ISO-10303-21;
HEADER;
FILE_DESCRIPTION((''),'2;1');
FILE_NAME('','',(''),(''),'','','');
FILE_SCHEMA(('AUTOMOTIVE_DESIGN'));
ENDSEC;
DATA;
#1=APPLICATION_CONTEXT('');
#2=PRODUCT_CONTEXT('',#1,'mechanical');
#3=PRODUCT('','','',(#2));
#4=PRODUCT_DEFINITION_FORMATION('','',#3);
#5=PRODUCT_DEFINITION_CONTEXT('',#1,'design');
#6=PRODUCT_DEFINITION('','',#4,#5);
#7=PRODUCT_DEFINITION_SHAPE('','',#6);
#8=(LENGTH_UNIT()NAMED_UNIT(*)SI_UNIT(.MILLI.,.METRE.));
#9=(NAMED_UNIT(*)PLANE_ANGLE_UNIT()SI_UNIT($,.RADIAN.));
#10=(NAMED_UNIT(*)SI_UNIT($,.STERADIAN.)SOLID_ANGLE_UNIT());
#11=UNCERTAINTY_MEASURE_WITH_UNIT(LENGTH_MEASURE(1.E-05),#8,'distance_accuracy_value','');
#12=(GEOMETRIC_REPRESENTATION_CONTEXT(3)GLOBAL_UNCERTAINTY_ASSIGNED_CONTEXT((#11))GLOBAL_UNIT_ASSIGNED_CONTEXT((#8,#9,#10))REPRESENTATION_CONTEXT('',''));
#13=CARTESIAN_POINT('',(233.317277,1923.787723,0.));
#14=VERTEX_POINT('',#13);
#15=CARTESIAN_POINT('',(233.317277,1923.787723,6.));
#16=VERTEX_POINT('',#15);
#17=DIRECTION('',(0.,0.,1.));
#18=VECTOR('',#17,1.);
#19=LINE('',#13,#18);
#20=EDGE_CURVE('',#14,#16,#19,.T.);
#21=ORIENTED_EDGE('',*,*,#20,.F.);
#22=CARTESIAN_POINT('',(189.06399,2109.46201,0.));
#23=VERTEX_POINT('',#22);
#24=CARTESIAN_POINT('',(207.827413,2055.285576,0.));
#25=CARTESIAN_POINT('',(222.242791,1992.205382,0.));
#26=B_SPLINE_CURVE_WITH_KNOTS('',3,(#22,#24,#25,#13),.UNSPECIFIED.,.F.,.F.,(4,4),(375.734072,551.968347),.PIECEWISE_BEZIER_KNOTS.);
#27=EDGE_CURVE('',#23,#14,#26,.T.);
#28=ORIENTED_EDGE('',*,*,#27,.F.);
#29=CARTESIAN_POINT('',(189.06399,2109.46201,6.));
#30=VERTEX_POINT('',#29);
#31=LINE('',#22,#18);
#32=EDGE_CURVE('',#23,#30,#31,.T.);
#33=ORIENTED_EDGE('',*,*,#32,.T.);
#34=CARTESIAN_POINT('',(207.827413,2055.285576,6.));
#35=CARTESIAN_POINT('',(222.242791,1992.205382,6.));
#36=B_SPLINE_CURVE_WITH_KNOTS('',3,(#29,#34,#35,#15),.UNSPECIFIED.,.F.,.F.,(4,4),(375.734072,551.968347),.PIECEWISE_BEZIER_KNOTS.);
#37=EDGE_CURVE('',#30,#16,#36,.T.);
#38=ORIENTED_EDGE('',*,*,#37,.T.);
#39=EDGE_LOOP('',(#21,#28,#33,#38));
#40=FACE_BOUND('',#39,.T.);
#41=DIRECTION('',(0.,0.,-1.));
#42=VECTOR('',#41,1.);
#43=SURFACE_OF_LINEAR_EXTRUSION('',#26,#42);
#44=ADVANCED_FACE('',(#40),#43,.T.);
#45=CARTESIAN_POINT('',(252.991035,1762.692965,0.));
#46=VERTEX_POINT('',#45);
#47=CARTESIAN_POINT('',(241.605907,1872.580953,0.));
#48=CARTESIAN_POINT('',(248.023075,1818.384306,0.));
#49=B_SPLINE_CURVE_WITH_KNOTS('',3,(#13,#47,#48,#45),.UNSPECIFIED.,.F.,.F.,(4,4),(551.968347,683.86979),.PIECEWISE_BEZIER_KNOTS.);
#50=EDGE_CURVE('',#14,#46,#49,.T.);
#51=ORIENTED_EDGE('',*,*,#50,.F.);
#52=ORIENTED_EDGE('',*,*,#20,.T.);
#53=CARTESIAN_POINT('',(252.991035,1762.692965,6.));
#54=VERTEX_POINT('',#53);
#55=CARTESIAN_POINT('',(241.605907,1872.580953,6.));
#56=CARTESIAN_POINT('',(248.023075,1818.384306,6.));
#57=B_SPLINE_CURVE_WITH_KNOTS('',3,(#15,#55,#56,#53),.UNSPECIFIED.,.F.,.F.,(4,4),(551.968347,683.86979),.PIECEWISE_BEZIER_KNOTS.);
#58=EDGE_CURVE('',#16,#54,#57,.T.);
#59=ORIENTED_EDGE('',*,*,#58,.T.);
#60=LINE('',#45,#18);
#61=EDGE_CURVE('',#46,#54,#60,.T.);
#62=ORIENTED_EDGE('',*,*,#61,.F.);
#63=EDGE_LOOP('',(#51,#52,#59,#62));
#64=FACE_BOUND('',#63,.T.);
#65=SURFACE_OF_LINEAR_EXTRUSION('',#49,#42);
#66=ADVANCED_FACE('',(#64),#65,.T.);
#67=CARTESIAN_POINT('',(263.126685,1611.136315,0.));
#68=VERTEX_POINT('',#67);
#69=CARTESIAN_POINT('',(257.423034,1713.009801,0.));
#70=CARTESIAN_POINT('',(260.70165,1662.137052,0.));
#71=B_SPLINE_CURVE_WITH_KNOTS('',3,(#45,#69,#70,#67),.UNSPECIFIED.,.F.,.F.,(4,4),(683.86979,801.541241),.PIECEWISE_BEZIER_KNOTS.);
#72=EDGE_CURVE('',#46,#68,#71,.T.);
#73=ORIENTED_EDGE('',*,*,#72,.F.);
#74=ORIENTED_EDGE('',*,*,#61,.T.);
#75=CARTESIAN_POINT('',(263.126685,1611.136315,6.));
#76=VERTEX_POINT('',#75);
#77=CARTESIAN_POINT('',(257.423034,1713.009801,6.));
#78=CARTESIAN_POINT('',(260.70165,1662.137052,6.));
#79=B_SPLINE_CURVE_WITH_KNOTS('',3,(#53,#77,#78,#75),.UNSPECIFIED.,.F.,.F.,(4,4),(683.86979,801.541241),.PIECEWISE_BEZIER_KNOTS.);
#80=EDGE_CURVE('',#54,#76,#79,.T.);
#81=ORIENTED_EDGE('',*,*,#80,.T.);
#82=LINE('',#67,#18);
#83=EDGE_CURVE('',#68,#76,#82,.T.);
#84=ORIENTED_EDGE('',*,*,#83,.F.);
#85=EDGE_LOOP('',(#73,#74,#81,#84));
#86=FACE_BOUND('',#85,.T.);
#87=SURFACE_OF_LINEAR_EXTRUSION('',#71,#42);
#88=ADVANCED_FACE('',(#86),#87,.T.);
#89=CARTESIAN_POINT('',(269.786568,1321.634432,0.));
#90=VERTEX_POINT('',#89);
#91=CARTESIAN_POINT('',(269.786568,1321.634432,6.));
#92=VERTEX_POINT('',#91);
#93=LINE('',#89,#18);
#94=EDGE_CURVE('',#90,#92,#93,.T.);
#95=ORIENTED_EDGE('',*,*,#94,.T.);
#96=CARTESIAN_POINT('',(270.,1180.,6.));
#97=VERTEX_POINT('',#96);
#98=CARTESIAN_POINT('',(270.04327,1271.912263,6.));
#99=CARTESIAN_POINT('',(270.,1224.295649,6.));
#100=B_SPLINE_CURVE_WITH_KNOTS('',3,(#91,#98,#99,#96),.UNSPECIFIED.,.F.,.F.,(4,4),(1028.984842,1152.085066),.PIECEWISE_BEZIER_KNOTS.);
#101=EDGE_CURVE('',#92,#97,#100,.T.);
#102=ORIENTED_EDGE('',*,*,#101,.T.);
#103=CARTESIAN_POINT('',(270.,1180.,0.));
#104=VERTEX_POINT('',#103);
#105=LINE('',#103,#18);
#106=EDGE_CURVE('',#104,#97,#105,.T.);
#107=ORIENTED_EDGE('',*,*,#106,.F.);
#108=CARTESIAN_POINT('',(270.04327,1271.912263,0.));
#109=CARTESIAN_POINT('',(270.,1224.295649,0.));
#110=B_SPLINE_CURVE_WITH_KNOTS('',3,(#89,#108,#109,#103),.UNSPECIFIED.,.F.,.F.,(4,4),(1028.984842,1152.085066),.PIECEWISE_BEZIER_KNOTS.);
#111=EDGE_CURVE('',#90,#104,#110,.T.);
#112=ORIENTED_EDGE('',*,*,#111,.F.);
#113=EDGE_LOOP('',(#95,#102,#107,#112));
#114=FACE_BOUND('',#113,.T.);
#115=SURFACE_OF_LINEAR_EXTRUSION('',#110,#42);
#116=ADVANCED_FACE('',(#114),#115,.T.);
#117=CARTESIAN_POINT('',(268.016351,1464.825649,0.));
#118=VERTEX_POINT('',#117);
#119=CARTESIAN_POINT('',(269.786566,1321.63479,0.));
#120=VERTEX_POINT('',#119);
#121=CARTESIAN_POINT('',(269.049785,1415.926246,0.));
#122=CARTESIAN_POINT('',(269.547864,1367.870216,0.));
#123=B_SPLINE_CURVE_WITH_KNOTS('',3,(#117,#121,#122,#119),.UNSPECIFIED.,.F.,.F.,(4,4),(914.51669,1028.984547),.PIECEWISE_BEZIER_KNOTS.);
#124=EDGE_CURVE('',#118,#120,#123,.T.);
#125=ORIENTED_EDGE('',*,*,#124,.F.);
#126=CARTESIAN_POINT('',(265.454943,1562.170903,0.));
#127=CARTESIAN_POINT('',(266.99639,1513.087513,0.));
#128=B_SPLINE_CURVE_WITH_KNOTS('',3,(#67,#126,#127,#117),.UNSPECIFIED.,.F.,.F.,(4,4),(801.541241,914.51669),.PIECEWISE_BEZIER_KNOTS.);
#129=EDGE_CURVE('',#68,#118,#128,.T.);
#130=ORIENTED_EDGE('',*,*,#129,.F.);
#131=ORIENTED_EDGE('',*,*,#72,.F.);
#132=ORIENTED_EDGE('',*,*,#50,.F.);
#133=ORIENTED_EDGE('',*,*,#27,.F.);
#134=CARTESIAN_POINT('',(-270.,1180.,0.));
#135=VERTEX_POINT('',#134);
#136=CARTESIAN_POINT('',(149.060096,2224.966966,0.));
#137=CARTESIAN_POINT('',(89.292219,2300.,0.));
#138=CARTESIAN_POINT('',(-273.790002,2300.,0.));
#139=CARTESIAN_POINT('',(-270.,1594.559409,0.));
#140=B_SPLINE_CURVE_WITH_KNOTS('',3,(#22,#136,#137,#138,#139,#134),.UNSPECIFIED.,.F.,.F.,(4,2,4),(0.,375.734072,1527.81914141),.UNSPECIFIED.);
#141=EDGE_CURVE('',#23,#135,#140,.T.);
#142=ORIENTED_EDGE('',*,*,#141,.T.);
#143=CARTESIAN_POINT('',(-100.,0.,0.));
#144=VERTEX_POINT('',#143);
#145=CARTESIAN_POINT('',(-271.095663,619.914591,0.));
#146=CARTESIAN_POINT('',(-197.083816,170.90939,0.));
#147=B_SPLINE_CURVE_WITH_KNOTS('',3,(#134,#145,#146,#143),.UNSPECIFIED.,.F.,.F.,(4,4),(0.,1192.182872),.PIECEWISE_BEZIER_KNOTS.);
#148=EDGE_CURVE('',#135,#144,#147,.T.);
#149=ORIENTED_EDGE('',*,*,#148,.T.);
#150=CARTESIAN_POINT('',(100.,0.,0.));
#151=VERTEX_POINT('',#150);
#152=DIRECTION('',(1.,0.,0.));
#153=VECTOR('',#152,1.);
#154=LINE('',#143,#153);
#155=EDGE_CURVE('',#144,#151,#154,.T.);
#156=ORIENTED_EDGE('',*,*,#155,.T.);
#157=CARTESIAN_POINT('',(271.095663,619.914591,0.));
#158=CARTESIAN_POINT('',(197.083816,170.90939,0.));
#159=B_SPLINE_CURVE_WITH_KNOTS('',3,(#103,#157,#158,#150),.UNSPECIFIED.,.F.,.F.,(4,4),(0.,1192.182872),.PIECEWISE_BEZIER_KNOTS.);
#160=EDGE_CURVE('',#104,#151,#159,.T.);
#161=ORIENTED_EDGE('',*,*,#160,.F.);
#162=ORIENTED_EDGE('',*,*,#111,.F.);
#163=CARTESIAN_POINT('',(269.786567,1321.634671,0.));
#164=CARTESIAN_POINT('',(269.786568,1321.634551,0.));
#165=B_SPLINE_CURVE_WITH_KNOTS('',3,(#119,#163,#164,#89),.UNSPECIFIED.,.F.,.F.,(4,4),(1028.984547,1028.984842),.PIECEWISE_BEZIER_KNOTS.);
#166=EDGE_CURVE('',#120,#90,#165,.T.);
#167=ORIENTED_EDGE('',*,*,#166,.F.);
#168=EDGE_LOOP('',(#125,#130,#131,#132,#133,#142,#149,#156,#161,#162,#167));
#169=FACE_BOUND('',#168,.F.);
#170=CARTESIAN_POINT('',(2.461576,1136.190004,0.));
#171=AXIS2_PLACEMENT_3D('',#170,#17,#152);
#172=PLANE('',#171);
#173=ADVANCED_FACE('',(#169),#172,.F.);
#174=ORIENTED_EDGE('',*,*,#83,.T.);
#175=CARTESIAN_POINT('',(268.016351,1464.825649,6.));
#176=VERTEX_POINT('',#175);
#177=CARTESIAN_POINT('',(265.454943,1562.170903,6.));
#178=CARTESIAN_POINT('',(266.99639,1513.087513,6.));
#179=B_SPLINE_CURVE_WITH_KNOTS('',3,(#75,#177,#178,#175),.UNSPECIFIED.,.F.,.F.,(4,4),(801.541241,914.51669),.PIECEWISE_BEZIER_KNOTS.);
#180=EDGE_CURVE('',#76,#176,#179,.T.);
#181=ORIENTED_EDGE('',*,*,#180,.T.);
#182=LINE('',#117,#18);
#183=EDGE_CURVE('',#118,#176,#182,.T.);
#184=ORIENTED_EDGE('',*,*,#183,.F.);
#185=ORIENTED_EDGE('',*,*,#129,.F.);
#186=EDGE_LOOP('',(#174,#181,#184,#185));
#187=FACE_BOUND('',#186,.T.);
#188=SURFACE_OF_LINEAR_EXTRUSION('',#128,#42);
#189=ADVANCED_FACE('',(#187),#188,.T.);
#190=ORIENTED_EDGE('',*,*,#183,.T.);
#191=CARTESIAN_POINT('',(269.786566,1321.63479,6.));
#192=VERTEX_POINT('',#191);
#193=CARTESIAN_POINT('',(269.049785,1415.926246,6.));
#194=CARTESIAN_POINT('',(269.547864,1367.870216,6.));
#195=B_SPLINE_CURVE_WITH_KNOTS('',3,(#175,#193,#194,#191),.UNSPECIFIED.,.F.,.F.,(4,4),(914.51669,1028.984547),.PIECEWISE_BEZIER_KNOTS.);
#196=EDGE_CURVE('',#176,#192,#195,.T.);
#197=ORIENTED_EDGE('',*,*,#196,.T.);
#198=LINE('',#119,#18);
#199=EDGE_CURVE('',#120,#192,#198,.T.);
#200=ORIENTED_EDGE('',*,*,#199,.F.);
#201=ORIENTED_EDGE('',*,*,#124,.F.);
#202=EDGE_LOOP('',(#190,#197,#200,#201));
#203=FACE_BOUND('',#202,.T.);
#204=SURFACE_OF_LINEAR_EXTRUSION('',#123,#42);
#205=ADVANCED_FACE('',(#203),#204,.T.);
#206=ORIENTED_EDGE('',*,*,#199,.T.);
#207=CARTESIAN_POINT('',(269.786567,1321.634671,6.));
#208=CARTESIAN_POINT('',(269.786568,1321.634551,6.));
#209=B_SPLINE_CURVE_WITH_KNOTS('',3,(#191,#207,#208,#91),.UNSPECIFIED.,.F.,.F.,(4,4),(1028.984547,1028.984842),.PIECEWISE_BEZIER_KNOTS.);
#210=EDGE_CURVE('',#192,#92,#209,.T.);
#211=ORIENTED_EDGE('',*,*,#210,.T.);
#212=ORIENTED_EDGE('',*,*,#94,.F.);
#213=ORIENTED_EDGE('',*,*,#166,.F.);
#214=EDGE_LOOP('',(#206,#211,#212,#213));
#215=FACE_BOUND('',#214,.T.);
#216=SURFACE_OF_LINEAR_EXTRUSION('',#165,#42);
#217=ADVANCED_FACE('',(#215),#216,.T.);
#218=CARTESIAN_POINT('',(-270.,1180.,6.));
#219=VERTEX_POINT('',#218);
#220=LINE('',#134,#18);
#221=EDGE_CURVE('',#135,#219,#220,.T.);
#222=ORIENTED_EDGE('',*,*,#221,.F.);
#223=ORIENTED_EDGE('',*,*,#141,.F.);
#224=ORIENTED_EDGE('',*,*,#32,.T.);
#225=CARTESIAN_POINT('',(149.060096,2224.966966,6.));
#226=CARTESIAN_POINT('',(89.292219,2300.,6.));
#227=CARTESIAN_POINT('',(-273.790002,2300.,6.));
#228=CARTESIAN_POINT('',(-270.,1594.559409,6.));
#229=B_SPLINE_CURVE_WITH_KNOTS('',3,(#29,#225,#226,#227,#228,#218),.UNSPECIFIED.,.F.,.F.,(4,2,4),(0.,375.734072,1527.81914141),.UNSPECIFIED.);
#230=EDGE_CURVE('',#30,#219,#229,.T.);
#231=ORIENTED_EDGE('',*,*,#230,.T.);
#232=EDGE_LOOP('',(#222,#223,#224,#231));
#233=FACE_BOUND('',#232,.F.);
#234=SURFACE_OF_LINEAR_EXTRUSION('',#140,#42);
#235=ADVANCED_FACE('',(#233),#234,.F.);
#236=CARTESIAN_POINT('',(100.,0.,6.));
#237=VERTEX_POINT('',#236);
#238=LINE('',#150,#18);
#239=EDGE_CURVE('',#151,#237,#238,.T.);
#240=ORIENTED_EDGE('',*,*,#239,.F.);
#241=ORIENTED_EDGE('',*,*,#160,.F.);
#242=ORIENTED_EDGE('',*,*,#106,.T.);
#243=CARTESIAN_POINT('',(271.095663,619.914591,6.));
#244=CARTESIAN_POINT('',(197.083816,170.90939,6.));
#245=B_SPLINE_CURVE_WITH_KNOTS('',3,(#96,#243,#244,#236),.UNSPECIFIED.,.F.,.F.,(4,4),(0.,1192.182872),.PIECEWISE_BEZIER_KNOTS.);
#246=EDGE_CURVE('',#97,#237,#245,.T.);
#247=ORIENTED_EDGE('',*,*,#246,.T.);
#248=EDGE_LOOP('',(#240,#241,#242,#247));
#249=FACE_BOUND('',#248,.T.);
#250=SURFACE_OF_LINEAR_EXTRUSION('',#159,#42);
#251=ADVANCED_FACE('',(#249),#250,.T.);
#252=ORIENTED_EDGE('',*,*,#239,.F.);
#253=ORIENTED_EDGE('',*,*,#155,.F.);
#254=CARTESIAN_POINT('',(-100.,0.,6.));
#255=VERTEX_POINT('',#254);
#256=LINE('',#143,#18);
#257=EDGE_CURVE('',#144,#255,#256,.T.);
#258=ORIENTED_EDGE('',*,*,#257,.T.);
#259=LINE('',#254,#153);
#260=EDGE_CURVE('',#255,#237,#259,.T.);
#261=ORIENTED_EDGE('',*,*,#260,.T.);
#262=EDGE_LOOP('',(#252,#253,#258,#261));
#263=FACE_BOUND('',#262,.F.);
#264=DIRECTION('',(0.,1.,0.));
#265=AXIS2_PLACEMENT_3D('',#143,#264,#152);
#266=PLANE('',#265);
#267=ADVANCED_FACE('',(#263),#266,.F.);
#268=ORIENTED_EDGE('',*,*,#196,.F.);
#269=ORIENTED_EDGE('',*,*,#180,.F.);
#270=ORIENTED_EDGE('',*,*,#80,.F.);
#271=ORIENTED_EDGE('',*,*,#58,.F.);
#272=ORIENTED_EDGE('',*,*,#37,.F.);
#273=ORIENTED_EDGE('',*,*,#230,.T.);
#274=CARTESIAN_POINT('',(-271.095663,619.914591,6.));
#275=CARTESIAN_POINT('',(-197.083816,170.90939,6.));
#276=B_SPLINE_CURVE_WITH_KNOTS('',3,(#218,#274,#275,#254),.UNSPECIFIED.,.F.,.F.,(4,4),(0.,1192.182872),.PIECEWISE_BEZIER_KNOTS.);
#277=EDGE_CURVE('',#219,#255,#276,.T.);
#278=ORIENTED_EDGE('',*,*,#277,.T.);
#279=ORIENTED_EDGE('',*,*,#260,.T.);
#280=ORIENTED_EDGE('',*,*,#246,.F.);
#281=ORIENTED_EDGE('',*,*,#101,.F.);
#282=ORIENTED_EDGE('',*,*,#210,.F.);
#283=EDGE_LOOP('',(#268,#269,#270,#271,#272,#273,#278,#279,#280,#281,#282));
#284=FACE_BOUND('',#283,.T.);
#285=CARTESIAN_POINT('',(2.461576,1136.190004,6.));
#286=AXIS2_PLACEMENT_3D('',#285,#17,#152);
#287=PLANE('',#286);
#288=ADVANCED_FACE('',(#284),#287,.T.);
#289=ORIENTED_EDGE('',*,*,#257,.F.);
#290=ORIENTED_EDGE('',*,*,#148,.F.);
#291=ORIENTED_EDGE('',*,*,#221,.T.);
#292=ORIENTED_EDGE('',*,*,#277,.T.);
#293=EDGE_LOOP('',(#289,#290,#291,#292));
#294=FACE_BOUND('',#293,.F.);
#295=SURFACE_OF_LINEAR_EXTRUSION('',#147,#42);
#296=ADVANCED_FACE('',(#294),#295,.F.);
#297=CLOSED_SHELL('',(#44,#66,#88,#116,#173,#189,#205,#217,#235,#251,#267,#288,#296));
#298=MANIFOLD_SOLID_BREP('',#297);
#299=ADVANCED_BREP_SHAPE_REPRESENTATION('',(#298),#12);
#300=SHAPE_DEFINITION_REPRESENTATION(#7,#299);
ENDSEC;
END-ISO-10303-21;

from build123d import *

# Parameters (mm, degrees)
F2_DEPTH = 6


with BuildPart() as f2:
    # F1 (on Top) → F2 (new body)
    with BuildSketch(Plane.XY):
        with BuildLine():
            Line((-100, 0), (0, 0))
            Line((0, 0), (100, 0))
            add(Edge.make_bspline(
                [(270, 1180), (271.095663, 619.914591), (197.083816, 170.90939), (100, 0)],
                knots=[0, 0, 0, 0, 1192.182872, 1192.182872, 1192.182872, 1192.182872], degree=3))
            add(Edge.make_bspline(
                [(269.786568, 1321.634432), (270.04327, 1271.912263), (270, 1224.295649), (270, 1180)],
                knots=[1028.984842, 1028.984842, 1028.984842, 1028.984842, 1152.085066, 1152.085066, 1152.085066, 1152.085066], degree=3))
            add(Edge.make_bspline(
                [(269.786566, 1321.63479), (269.786567, 1321.634671), (269.786568, 1321.634551), (269.786568, 1321.634432)],
                knots=[1028.984547, 1028.984547, 1028.984547, 1028.984547, 1028.984842, 1028.984842, 1028.984842, 1028.984842], degree=3))
            add(Edge.make_bspline(
                [(268.016351, 1464.825649), (269.049785, 1415.926246), (269.547864, 1367.870216), (269.786566, 1321.63479)],
                knots=[914.51669, 914.51669, 914.51669, 914.51669, 1028.984547, 1028.984547, 1028.984547, 1028.984547], degree=3))
            add(Edge.make_bspline(
                [(263.126685, 1611.136315), (265.454943, 1562.170903), (266.99639, 1513.087513), (268.016351, 1464.825649)],
                knots=[801.541241, 801.541241, 801.541241, 801.541241, 914.51669, 914.51669, 914.51669, 914.51669], degree=3))
            add(Edge.make_bspline(
                [(252.991035, 1762.692965), (257.423034, 1713.009801), (260.70165, 1662.137052), (263.126685, 1611.136315)],
                knots=[683.86979, 683.86979, 683.86979, 683.86979, 801.541241, 801.541241, 801.541241, 801.541241], degree=3))
            add(Edge.make_bspline(
                [(233.317277, 1923.787723), (241.605907, 1872.580953), (248.023075, 1818.384306), (252.991035, 1762.692965)],
                knots=[551.968347, 551.968347, 551.968347, 551.968347, 683.86979, 683.86979, 683.86979, 683.86979], degree=3))
            add(Edge.make_bspline(
                [(189.06399, 2109.46201), (207.827413, 2055.285576), (222.242791, 1992.205382), (233.317277, 1923.787723)],
                knots=[375.734072, 375.734072, 375.734072, 375.734072, 551.968347, 551.968347, 551.968347, 551.968347], degree=3))
            add(Edge.make_bspline(
                [(0, 2300), (89.292219, 2300), (149.060096, 2224.966966), (189.06399, 2109.46201)],
                knots=[0, 0, 0, 0, 375.734072, 375.734072, 375.734072, 375.734072], degree=3))
            add(Edge.make_bspline(
                [(0, 2300), (-273.790002, 2300), (-270, 1594.559409), (-270, 1180)],
                knots=[0, 0, 0, 0, 1152.085066, 1152.085066, 1152.085066, 1152.085066], degree=3))
            add(Edge.make_bspline(
                [(-270, 1180), (-271.095663, 619.914591), (-197.083816, 170.90939), (-100, 0)],
                knots=[0, 0, 0, 0, 1192.182872, 1192.182872, 1192.182872, 1192.182872], degree=3))
        make_face()
    extrude(amount=F2_DEPTH)


solid = f2.part
